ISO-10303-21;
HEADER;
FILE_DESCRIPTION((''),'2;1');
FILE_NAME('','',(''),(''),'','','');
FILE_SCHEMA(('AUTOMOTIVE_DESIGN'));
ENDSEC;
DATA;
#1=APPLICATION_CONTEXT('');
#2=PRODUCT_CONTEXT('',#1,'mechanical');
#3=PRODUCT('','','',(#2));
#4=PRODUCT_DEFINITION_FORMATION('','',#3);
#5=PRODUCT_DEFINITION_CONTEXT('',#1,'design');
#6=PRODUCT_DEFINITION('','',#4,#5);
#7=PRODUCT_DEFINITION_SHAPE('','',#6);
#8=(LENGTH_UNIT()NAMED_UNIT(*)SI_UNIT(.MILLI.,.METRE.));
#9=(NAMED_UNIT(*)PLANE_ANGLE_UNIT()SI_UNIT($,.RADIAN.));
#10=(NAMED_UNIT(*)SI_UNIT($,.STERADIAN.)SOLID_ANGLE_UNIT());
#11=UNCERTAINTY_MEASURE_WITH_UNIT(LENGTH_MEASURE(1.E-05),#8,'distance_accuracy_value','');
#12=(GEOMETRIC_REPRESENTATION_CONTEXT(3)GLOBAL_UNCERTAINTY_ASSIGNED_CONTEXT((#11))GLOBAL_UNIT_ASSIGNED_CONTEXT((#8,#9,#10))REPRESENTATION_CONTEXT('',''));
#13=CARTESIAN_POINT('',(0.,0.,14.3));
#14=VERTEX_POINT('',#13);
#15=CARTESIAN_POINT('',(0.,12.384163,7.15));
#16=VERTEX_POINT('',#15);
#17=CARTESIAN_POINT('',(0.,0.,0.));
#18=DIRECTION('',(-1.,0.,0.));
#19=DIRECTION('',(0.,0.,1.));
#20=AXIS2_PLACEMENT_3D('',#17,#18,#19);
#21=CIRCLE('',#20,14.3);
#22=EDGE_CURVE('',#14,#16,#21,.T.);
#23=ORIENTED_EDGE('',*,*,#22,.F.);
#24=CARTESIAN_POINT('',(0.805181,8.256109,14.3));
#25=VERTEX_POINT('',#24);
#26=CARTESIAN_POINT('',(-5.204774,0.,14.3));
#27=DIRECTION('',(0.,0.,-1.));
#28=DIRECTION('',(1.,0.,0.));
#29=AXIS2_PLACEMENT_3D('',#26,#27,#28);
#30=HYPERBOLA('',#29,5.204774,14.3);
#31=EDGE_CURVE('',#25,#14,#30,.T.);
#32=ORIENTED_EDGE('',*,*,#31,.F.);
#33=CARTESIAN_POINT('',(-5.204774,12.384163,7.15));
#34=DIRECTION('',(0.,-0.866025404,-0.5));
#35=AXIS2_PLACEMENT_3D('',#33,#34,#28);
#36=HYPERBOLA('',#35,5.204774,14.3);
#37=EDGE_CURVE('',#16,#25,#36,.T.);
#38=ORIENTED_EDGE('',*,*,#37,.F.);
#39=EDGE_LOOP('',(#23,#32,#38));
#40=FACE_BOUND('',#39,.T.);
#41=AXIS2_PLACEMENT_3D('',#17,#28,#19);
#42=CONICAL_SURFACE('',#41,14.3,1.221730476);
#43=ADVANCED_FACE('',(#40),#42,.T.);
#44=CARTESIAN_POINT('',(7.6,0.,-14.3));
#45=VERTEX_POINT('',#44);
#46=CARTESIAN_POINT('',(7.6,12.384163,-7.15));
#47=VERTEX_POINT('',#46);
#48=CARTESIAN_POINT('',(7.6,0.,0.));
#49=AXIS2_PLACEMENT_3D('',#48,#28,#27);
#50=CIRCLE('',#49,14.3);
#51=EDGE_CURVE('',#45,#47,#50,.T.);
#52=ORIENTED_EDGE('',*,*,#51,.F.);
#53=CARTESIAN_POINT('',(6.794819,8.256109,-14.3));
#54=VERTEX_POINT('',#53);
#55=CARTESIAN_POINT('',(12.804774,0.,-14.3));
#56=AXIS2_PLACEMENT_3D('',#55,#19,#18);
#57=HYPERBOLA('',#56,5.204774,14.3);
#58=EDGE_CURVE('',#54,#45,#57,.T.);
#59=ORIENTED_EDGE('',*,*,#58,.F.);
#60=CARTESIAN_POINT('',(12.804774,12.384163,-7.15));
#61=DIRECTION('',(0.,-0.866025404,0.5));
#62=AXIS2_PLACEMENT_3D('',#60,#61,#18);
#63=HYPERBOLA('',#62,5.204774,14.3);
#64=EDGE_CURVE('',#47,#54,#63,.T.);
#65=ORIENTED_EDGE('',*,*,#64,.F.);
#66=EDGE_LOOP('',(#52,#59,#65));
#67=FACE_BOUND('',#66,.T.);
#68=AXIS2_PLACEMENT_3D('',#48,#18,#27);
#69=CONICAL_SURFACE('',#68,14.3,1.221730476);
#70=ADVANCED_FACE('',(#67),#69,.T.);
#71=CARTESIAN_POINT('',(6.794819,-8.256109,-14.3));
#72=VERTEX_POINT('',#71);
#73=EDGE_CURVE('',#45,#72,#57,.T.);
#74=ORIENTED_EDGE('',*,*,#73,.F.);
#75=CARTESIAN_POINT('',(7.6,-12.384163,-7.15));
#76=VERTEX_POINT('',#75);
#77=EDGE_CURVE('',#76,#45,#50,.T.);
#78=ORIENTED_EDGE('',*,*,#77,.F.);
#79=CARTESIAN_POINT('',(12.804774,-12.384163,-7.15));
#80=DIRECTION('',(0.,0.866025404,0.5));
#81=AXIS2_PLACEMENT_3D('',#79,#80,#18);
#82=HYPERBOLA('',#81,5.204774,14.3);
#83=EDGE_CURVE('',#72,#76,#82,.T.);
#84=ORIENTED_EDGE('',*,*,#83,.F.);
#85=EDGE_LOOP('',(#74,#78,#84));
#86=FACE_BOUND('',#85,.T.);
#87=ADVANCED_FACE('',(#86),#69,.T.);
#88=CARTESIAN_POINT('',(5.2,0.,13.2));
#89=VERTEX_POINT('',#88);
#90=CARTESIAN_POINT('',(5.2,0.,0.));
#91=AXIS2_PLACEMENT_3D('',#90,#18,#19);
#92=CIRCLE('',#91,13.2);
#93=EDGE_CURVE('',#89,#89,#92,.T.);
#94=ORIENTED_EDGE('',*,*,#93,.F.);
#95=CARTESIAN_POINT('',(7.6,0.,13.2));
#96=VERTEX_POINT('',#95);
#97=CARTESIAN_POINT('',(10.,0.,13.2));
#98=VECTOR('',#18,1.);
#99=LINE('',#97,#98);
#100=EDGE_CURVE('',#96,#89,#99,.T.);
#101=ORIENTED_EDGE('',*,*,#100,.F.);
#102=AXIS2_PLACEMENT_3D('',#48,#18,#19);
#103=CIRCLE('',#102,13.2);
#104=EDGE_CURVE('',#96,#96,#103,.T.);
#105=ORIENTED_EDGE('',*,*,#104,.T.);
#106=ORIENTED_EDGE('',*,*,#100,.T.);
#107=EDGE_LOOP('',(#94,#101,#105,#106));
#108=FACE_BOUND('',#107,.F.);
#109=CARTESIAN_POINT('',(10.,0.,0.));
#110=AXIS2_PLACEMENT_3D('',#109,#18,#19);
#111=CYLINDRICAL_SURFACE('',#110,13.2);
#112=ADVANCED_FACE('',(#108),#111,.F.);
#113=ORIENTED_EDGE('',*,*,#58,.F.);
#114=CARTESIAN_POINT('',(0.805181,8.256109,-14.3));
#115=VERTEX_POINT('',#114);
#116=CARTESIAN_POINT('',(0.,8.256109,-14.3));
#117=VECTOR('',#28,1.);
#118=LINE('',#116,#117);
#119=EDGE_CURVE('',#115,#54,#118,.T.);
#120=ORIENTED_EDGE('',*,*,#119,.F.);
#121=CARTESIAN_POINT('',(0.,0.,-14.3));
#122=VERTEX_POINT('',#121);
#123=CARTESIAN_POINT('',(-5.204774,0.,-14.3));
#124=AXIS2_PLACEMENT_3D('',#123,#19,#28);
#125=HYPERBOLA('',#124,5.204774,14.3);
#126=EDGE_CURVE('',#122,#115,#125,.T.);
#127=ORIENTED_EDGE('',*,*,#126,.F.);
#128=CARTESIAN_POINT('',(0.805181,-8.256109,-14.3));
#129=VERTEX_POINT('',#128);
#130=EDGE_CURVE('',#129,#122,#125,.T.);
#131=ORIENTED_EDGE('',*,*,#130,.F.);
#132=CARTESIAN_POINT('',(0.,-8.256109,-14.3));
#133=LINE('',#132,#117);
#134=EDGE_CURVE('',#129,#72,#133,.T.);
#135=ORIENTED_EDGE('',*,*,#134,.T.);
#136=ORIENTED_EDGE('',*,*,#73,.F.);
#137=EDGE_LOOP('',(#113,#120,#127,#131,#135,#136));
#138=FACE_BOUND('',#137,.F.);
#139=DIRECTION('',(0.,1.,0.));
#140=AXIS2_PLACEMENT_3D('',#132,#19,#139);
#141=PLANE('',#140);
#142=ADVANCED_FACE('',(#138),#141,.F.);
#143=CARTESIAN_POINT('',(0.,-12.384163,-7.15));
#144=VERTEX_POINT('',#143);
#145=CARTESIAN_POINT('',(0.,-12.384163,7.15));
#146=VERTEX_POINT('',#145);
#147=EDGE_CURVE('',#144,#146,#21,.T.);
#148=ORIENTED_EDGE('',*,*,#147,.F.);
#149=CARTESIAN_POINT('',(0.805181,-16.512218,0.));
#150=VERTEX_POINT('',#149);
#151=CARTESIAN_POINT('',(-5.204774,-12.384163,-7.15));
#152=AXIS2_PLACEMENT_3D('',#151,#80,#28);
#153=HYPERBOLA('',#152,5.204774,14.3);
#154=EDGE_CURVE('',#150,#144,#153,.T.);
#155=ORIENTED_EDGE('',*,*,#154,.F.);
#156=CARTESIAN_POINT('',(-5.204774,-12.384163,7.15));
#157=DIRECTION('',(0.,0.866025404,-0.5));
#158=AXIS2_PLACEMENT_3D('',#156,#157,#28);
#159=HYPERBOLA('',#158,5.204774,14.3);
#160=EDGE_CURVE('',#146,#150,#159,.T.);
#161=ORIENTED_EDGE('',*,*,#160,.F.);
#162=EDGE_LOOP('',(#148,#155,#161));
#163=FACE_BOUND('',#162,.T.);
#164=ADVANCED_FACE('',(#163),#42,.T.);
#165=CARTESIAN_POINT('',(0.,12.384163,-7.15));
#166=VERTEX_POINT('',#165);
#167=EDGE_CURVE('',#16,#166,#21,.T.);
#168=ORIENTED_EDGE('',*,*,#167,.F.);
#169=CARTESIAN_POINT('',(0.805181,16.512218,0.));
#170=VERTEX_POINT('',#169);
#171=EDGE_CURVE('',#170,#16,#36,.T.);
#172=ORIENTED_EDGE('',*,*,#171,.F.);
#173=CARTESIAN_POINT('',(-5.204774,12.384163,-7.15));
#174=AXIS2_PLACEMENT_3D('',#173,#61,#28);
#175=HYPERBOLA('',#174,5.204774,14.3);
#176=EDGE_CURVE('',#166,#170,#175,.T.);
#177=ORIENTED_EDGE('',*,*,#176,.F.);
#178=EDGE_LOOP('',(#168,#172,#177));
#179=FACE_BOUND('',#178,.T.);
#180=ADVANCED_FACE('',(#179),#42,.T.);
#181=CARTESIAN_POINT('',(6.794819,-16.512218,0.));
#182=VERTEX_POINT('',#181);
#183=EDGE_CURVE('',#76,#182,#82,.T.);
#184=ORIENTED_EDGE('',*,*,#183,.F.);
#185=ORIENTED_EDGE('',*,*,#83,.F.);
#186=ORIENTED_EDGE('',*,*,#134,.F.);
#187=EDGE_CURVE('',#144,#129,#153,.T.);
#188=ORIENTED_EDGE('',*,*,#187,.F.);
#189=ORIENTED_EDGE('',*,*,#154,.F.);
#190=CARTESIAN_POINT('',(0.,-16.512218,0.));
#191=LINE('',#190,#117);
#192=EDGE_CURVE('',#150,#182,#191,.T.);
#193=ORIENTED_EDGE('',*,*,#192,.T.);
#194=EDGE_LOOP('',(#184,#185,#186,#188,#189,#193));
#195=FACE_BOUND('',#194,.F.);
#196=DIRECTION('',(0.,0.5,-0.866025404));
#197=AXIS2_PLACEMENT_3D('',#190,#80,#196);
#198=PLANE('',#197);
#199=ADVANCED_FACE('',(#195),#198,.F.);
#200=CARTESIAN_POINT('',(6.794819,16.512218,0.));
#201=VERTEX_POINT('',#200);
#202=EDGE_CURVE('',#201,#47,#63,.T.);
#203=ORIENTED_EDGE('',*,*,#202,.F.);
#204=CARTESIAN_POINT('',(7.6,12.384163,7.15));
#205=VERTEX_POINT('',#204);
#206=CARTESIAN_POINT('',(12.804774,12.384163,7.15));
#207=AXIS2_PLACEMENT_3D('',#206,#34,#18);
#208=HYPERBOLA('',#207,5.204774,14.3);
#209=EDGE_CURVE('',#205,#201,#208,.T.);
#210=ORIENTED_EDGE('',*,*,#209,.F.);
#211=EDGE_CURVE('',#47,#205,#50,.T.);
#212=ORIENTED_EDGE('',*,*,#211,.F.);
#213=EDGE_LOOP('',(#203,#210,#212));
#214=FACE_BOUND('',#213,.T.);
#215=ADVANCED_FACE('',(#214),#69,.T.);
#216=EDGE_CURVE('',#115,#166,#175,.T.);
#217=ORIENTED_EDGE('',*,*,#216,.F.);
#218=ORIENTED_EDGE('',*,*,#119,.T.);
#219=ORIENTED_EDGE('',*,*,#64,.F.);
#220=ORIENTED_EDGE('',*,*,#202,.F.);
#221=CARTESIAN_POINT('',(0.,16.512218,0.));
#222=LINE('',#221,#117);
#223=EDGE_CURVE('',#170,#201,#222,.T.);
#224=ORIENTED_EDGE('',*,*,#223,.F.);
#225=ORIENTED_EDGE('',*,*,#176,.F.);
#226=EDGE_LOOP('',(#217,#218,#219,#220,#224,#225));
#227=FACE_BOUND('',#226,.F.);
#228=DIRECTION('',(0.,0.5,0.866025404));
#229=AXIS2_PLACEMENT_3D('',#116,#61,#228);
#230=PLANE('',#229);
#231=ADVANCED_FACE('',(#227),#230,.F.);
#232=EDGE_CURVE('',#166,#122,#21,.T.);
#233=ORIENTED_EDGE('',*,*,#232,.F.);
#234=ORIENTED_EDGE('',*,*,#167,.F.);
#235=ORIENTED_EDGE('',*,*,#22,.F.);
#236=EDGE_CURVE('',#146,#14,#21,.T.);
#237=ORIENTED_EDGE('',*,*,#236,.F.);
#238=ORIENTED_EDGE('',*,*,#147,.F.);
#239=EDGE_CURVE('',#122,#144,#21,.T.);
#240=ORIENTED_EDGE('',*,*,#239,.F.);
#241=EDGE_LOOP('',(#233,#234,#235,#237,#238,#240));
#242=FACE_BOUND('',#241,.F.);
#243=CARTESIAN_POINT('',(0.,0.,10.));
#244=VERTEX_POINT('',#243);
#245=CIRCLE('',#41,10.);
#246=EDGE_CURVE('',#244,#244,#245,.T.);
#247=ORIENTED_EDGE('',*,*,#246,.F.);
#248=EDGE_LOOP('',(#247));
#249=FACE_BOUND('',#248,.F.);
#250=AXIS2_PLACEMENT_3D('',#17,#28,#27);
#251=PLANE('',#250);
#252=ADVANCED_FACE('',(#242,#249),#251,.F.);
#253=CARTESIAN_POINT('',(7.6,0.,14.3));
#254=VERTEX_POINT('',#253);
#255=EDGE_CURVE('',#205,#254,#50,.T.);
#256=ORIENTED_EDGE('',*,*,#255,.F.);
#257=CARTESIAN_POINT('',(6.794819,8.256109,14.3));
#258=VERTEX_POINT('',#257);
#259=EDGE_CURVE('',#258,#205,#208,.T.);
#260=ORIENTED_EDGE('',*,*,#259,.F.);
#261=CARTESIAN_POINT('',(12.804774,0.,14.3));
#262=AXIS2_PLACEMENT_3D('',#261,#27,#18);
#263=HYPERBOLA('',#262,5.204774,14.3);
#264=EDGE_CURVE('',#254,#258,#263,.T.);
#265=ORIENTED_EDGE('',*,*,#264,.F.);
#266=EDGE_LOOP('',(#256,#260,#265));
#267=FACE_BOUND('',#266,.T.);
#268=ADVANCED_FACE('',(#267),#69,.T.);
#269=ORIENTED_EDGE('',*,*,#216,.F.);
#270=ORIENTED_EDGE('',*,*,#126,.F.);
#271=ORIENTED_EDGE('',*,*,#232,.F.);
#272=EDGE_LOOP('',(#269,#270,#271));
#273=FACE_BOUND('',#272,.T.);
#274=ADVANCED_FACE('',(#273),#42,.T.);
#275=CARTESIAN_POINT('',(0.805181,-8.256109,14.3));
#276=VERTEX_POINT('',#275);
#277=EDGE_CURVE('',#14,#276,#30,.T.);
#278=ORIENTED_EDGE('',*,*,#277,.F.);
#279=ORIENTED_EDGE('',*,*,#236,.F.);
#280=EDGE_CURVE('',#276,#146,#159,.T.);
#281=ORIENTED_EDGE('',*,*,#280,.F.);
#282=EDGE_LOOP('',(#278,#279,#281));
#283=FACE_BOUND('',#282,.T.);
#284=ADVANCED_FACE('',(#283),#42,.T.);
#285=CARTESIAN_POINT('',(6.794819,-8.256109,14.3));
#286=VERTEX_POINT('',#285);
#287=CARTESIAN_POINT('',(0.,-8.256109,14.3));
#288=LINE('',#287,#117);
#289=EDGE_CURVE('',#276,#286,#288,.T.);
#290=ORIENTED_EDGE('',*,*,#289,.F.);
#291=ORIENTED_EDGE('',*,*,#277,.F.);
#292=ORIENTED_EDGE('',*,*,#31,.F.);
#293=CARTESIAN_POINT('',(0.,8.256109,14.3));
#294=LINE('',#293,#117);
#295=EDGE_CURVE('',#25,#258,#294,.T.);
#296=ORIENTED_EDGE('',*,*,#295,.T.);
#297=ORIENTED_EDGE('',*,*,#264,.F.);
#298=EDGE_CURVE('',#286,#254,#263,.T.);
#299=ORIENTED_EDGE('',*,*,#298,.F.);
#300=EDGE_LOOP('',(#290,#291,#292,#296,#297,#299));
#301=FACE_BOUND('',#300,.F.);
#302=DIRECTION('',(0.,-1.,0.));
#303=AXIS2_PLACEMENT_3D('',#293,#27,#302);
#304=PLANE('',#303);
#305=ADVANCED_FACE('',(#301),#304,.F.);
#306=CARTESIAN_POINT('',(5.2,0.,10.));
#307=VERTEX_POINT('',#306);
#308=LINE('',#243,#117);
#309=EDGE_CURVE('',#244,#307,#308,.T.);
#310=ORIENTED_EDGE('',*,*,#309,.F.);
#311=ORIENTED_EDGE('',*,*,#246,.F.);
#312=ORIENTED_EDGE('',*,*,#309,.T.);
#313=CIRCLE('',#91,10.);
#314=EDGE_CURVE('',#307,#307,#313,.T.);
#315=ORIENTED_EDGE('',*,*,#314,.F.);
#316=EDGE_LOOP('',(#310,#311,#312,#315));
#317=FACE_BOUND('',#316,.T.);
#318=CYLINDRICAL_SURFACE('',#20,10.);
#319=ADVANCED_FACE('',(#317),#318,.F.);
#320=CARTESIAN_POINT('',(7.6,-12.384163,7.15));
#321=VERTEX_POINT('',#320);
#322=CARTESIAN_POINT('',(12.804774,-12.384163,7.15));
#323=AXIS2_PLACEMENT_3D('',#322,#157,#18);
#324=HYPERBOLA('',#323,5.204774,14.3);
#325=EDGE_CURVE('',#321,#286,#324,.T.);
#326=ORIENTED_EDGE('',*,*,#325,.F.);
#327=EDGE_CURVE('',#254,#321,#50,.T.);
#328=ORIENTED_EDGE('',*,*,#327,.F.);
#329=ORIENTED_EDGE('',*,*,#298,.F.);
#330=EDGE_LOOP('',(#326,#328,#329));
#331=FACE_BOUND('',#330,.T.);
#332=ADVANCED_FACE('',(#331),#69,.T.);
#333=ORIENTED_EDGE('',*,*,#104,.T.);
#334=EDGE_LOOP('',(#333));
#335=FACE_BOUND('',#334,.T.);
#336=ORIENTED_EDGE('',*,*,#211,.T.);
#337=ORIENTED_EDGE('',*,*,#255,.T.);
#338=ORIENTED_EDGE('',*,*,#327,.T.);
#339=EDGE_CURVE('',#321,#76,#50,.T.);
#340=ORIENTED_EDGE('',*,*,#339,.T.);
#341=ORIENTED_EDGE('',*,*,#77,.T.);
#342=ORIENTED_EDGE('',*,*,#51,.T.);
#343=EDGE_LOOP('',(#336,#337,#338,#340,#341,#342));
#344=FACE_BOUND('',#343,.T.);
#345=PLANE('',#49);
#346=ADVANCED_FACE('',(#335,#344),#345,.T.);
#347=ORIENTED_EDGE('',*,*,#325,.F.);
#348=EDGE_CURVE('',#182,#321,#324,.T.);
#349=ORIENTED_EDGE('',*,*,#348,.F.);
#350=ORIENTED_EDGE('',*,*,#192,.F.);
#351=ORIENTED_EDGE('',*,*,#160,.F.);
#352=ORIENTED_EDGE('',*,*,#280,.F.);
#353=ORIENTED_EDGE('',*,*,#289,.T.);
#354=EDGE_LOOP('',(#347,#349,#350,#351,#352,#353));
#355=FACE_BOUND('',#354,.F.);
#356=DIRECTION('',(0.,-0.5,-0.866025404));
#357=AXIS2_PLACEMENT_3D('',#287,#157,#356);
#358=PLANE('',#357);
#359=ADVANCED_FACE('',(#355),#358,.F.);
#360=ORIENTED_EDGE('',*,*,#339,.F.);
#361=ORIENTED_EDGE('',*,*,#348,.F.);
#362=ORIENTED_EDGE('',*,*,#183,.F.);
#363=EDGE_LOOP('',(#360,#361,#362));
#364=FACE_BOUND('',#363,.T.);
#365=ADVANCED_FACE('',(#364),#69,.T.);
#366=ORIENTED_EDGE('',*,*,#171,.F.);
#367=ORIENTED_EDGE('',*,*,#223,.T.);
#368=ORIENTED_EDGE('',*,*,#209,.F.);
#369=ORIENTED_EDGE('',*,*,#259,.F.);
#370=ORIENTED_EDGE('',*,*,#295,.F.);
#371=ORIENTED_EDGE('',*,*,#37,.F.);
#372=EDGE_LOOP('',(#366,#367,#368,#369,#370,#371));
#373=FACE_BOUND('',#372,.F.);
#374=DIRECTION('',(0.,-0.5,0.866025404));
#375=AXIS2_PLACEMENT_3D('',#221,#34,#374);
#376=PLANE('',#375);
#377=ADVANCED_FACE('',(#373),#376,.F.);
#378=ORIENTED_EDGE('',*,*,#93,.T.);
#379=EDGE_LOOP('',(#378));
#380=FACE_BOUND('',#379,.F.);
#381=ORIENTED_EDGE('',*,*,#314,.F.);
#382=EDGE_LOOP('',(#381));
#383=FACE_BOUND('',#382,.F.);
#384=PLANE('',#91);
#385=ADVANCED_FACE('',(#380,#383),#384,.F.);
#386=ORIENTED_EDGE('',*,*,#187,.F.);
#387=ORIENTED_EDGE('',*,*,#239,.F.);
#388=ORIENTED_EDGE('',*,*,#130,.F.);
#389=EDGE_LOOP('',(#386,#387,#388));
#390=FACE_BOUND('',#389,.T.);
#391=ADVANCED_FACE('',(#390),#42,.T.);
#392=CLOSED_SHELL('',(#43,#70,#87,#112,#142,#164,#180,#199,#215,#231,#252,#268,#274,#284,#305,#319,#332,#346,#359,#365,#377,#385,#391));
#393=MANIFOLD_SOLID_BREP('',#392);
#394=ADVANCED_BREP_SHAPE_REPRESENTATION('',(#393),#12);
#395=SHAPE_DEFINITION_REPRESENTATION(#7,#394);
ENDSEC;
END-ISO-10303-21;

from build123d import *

# Parameters (mm, degrees)
ESBO_O1_R                = 10
RESSALTO_EXTRUS_O1_DEPTH = 7.6
FURO1_D                  = 26.4
FURO1_DEPTH              = 2.4
ESBO_O7_OUTSIDE_W        = 110.904
ESBO_O7_OUTSIDE_H        = 115.328
ESBO_O7_OUTSIDE_R        = 14.3
CORTE_EXTRUS_O1_DEPTH    = 13
CORTE_EXTRUS_O1_DRAFT    = -70
ESBO_O8_OUTSIDE_W        = 110.904
ESBO_O8_OUTSIDE_H        = 115.328
ESBO_O8_OUTSIDE_R        = 14.3
CORTE_EXTRUS_O2_DEPTH    = 13
CORTE_EXTRUS_O2_DRAFT    = -70


with BuildPart() as part:
    # Esboço1 → Ressalto-extrusão1 (new body)
    with BuildSketch(Plane(origin=(0, 0, 0), x_dir=(0, 0, -1), z_dir=(1, 0, 0))):
        Polygon((14.3, 8.256108849), (0, 16.512217699), (-14.3, 8.256108849), (-14.3, -8.256108849), (0, -16.512217699), (14.3, -8.256108849), align=None)
        with Locations(Location((0, 0, 0), (0, 0, 180))):
            Circle(ESBO_O1_R, mode=Mode.SUBTRACT)
    extrude(amount=RESSALTO_EXTRUS_O1_DEPTH)

    # Furo1
    with Locations(Plane(origin=(7.6, 0, 0), x_dir=(0, 0, -1), z_dir=(1, 0, 0))):
        with Locations((0, 0)):
            Hole(FURO1_D / 2, depth=FURO1_DEPTH)


with BuildPart() as corte_extrus_o1_tool:
    # Esboço7 outside → Corte-extrusão1 (with draft: the straight prism first)
    with BuildSketch(Plane(origin=(7.6, 0, 0), x_dir=(0, 0, -1), z_dir=(1, 0, 0))):
        Rectangle(ESBO_O7_OUTSIDE_W, ESBO_O7_OUTSIDE_H)
        Circle(ESBO_O7_OUTSIDE_R, mode=Mode.SUBTRACT)
    extrude(amount=-CORTE_EXTRUS_O1_DEPTH)
    # Corte-extrusão1: the draft: its side faces are tilted about the plane it starts from
    corte_extrus_o1_sides = [corte_extrus_o1_tool.faces().sort_by_distance(p)[0] for p in [
        (1.1, -57.664, 0),
        (1.1, 0, -55.452),
        (1.1, 57.664, 0),
        (1.1, 0, 55.452),
        (1.1, 0, 14.3),
    ]]
    draft(corte_extrus_o1_sides, Plane(origin=(7.6, 0, 0), x_dir=(0, 0, -1), z_dir=(1, 0, 0)), CORTE_EXTRUS_O1_DRAFT)


with BuildPart() as part_1:
    add(part.part)

    # Corte-extrusão1: cut by corte_extrus_o1_tool
    add(corte_extrus_o1_tool.part, mode=Mode.SUBTRACT)


with BuildPart() as corte_extrus_o2_tool:
    # Esboço8 outside → Corte-extrusão2 (with draft: the straight prism first)
    with BuildSketch(Plane.ZY):
        Rectangle(ESBO_O8_OUTSIDE_W, ESBO_O8_OUTSIDE_H)
        Circle(ESBO_O8_OUTSIDE_R, mode=Mode.SUBTRACT)
    extrude(amount=-CORTE_EXTRUS_O2_DEPTH)
    # Corte-extrusão2: the draft: its side faces are tilted about the plane it starts from
    corte_extrus_o2_sides = [corte_extrus_o2_tool.faces().sort_by_distance(p)[0] for p in [
        (6.5, -57.664, 0),
        (6.5, 0, 55.452),
        (6.5, 57.664, 0),
        (6.5, 0, -55.452),
        (6.5, 0, -14.3),
    ]]
    draft(corte_extrus_o2_sides, Plane.ZY, CORTE_EXTRUS_O2_DRAFT)


with BuildPart() as part_2:
    add(part_1.part)

    # Corte-extrusão2: cut by corte_extrus_o2_tool
    add(corte_extrus_o2_tool.part, mode=Mode.SUBTRACT)


solid = part_2.part
